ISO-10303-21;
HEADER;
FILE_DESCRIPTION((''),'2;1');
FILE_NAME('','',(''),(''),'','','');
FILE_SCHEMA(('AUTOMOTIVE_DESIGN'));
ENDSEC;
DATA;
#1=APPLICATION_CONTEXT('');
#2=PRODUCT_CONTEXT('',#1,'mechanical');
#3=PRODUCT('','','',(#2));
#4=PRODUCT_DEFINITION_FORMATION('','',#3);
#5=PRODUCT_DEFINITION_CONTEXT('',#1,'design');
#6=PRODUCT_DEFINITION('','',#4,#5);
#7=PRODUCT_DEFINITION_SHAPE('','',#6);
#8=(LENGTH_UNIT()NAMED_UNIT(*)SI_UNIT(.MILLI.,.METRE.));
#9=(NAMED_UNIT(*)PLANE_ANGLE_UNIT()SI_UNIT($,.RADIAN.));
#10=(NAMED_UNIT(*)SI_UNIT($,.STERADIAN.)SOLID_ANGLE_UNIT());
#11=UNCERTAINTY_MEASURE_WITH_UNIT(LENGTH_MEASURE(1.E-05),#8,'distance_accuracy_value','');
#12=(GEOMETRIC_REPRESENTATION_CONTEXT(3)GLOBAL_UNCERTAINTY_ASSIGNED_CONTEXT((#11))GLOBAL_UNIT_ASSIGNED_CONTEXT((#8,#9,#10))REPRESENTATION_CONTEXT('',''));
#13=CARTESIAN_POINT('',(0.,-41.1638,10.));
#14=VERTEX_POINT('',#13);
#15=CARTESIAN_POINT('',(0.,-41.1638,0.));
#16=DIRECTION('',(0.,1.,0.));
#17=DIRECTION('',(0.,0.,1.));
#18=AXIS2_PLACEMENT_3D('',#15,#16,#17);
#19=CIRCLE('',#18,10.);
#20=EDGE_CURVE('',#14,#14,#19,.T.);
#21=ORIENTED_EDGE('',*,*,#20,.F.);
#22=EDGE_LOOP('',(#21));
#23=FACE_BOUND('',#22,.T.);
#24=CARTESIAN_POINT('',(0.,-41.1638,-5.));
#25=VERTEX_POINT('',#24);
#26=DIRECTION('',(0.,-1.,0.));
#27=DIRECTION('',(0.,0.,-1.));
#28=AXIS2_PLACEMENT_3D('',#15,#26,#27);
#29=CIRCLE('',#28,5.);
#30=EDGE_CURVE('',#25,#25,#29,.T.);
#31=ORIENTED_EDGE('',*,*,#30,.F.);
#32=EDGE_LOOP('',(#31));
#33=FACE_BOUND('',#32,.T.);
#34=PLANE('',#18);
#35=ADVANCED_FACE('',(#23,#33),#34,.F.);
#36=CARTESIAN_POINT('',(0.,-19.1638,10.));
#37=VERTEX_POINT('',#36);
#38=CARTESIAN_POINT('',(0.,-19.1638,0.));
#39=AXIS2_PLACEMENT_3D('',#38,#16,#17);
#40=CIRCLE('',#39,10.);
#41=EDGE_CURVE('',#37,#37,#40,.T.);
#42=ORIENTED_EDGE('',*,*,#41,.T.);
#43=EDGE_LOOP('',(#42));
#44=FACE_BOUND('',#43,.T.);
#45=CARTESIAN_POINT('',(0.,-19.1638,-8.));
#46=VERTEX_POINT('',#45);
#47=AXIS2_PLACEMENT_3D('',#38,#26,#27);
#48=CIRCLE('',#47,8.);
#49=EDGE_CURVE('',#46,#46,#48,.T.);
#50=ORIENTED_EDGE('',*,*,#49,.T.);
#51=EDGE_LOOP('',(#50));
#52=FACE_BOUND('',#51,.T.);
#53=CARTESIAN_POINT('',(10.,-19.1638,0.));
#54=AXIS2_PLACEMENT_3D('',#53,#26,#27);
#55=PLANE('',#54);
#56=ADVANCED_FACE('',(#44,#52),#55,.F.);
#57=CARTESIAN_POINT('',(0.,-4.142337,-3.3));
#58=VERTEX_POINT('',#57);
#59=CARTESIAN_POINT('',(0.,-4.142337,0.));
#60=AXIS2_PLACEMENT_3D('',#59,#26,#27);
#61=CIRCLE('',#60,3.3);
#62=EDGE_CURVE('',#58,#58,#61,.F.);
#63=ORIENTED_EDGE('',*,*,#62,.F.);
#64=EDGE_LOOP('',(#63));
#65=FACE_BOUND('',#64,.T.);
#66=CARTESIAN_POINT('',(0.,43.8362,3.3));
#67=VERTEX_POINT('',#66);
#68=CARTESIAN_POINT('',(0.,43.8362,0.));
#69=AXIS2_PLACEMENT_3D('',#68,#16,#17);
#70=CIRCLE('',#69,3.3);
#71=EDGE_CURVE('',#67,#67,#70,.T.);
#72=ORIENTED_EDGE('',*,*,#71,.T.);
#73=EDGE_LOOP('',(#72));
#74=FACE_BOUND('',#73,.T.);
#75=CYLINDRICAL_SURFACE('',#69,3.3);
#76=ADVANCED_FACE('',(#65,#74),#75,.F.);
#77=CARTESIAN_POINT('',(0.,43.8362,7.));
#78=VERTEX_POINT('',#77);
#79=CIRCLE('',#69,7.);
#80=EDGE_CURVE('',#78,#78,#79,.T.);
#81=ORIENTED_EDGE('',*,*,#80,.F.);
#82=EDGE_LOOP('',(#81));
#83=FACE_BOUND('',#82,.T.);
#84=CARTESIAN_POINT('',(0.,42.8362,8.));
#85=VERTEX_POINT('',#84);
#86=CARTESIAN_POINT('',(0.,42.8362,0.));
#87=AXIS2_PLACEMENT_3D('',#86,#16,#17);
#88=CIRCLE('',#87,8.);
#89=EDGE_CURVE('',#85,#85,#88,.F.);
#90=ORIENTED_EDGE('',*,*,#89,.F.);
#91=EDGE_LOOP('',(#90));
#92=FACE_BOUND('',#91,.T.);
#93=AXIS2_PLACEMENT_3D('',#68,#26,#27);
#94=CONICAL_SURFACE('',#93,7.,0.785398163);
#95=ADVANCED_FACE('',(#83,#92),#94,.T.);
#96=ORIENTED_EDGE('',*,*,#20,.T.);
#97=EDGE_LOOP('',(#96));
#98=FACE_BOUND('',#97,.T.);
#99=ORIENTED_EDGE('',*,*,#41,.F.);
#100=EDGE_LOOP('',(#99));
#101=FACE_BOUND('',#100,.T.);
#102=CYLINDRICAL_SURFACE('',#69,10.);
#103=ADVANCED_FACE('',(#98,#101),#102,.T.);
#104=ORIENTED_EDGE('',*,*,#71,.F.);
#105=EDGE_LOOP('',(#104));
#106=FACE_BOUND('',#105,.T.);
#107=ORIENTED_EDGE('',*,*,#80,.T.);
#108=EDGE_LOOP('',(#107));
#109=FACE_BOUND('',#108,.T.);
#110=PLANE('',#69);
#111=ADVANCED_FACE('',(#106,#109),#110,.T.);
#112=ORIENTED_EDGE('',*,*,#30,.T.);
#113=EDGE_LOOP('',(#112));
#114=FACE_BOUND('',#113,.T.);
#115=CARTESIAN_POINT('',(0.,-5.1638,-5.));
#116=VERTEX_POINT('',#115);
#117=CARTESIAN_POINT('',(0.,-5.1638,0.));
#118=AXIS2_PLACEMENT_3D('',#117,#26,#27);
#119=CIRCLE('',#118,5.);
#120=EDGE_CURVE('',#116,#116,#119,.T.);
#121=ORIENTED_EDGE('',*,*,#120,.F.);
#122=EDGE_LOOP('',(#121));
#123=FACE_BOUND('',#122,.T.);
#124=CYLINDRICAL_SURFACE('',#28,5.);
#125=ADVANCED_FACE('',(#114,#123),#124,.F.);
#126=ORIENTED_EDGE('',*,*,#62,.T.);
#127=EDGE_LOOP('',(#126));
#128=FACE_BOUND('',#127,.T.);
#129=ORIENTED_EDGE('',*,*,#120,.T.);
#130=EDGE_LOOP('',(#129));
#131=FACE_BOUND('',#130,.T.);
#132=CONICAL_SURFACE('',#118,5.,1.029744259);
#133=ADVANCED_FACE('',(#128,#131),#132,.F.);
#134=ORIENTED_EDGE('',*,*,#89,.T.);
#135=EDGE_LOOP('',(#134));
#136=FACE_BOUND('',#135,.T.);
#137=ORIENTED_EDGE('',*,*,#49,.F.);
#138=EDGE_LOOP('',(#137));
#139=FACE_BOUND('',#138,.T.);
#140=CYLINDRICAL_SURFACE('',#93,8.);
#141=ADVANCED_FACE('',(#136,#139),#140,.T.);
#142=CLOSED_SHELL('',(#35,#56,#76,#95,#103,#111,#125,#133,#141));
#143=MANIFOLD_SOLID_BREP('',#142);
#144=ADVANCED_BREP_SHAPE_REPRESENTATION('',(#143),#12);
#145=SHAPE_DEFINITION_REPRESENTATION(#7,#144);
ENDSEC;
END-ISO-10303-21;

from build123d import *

# Parameters (mm, degrees)
SKETCH_1_R             = 4
EXTRUDE_1_DEPTH        = 21.25
SKETCH_2_W             = 1
SKETCH_2_H             = 11
CHAMFER_1_SIZE         = 0.5
HOLE_WIZARD_M6_2_D     = 5
HOLE_WIZARD_M6_2_DEPTH = 18
HOLE_WIZARD_M6_2_TIP   = 1.502151548
HOLE_WIZARD_M4_1_D     = 3.3
HOLE_WIZARD_M4_1_DEPTH = 25
HOLE_WIZARD_M4_1_TIP   = 0.991420021
SCALE1_SCALE           = 2


with BuildPart() as part:
    # 草图1 → 凸台-拉伸1 (new, symmetric)
    with BuildSketch(Plane(origin=(0, 0, 0), x_dir=(1, 0, 0), z_dir=(0, 1, 0))):
        with Locations(Location((0, 0, 0), (0, 0, 270))):
            Circle(SKETCH_1_R)
    extrude(amount=EXTRUDE_1_DEPTH, both=True)

    # 草图2 → 旋转1 (revolve)
    with BuildSketch(Plane.XY, mode=Mode.PRIVATE) as revolve_1_sk:
        with Locations((4.5, -15.75)):
            Rectangle(SKETCH_2_W, SKETCH_2_H)
    revolve(revolve_1_sk.sketch.rotate(Axis((0, 21.25, 0), (0, -1, 0)), 270), axis=Axis((0, 21.25, 0), (0, -1, 0)))

    # 倒角1
    chamfer_1_edges = [part.edges().sort_by_distance(p)[0] for p in [
        (0, 21.25, -4),
    ]]
    chamfer(chamfer_1_edges, length=CHAMFER_1_SIZE)

    # M6 螺纹孔2
    with Locations(Plane(origin=(0, -21.25, 0), x_dir=(-1, 0, 0), z_dir=(0, -1, 0))):
        with Locations((0, 0)):
            Hole(HOLE_WIZARD_M6_2_D / 2, depth=HOLE_WIZARD_M6_2_DEPTH)
            with Locations((0, 0, -(HOLE_WIZARD_M6_2_DEPTH + HOLE_WIZARD_M6_2_TIP / 2))):  # 118° drill point
                Cone(0, HOLE_WIZARD_M6_2_D / 2, HOLE_WIZARD_M6_2_TIP, mode=Mode.SUBTRACT)

    # M4 螺纹孔1
    with Locations(Plane(origin=(0, 21.25, 0), x_dir=(1, 0, 0), z_dir=(0, 1, 0))):
        with Locations((0, 0)):
            Hole(HOLE_WIZARD_M4_1_D / 2, depth=HOLE_WIZARD_M4_1_DEPTH)
            with Locations((0, 0, -(HOLE_WIZARD_M4_1_DEPTH + HOLE_WIZARD_M4_1_TIP / 2))):  # 118° drill point
                Cone(0, HOLE_WIZARD_M4_1_D / 2, HOLE_WIZARD_M4_1_TIP, mode=Mode.SUBTRACT)


with BuildPart() as part_1:
    # Scale1: scaled about (0, -1.336200342, 0)
    add(part.part.scale(SCALE1_SCALE).moved(Location((0, 1.336200342, 0))))


solid = part_1.part
